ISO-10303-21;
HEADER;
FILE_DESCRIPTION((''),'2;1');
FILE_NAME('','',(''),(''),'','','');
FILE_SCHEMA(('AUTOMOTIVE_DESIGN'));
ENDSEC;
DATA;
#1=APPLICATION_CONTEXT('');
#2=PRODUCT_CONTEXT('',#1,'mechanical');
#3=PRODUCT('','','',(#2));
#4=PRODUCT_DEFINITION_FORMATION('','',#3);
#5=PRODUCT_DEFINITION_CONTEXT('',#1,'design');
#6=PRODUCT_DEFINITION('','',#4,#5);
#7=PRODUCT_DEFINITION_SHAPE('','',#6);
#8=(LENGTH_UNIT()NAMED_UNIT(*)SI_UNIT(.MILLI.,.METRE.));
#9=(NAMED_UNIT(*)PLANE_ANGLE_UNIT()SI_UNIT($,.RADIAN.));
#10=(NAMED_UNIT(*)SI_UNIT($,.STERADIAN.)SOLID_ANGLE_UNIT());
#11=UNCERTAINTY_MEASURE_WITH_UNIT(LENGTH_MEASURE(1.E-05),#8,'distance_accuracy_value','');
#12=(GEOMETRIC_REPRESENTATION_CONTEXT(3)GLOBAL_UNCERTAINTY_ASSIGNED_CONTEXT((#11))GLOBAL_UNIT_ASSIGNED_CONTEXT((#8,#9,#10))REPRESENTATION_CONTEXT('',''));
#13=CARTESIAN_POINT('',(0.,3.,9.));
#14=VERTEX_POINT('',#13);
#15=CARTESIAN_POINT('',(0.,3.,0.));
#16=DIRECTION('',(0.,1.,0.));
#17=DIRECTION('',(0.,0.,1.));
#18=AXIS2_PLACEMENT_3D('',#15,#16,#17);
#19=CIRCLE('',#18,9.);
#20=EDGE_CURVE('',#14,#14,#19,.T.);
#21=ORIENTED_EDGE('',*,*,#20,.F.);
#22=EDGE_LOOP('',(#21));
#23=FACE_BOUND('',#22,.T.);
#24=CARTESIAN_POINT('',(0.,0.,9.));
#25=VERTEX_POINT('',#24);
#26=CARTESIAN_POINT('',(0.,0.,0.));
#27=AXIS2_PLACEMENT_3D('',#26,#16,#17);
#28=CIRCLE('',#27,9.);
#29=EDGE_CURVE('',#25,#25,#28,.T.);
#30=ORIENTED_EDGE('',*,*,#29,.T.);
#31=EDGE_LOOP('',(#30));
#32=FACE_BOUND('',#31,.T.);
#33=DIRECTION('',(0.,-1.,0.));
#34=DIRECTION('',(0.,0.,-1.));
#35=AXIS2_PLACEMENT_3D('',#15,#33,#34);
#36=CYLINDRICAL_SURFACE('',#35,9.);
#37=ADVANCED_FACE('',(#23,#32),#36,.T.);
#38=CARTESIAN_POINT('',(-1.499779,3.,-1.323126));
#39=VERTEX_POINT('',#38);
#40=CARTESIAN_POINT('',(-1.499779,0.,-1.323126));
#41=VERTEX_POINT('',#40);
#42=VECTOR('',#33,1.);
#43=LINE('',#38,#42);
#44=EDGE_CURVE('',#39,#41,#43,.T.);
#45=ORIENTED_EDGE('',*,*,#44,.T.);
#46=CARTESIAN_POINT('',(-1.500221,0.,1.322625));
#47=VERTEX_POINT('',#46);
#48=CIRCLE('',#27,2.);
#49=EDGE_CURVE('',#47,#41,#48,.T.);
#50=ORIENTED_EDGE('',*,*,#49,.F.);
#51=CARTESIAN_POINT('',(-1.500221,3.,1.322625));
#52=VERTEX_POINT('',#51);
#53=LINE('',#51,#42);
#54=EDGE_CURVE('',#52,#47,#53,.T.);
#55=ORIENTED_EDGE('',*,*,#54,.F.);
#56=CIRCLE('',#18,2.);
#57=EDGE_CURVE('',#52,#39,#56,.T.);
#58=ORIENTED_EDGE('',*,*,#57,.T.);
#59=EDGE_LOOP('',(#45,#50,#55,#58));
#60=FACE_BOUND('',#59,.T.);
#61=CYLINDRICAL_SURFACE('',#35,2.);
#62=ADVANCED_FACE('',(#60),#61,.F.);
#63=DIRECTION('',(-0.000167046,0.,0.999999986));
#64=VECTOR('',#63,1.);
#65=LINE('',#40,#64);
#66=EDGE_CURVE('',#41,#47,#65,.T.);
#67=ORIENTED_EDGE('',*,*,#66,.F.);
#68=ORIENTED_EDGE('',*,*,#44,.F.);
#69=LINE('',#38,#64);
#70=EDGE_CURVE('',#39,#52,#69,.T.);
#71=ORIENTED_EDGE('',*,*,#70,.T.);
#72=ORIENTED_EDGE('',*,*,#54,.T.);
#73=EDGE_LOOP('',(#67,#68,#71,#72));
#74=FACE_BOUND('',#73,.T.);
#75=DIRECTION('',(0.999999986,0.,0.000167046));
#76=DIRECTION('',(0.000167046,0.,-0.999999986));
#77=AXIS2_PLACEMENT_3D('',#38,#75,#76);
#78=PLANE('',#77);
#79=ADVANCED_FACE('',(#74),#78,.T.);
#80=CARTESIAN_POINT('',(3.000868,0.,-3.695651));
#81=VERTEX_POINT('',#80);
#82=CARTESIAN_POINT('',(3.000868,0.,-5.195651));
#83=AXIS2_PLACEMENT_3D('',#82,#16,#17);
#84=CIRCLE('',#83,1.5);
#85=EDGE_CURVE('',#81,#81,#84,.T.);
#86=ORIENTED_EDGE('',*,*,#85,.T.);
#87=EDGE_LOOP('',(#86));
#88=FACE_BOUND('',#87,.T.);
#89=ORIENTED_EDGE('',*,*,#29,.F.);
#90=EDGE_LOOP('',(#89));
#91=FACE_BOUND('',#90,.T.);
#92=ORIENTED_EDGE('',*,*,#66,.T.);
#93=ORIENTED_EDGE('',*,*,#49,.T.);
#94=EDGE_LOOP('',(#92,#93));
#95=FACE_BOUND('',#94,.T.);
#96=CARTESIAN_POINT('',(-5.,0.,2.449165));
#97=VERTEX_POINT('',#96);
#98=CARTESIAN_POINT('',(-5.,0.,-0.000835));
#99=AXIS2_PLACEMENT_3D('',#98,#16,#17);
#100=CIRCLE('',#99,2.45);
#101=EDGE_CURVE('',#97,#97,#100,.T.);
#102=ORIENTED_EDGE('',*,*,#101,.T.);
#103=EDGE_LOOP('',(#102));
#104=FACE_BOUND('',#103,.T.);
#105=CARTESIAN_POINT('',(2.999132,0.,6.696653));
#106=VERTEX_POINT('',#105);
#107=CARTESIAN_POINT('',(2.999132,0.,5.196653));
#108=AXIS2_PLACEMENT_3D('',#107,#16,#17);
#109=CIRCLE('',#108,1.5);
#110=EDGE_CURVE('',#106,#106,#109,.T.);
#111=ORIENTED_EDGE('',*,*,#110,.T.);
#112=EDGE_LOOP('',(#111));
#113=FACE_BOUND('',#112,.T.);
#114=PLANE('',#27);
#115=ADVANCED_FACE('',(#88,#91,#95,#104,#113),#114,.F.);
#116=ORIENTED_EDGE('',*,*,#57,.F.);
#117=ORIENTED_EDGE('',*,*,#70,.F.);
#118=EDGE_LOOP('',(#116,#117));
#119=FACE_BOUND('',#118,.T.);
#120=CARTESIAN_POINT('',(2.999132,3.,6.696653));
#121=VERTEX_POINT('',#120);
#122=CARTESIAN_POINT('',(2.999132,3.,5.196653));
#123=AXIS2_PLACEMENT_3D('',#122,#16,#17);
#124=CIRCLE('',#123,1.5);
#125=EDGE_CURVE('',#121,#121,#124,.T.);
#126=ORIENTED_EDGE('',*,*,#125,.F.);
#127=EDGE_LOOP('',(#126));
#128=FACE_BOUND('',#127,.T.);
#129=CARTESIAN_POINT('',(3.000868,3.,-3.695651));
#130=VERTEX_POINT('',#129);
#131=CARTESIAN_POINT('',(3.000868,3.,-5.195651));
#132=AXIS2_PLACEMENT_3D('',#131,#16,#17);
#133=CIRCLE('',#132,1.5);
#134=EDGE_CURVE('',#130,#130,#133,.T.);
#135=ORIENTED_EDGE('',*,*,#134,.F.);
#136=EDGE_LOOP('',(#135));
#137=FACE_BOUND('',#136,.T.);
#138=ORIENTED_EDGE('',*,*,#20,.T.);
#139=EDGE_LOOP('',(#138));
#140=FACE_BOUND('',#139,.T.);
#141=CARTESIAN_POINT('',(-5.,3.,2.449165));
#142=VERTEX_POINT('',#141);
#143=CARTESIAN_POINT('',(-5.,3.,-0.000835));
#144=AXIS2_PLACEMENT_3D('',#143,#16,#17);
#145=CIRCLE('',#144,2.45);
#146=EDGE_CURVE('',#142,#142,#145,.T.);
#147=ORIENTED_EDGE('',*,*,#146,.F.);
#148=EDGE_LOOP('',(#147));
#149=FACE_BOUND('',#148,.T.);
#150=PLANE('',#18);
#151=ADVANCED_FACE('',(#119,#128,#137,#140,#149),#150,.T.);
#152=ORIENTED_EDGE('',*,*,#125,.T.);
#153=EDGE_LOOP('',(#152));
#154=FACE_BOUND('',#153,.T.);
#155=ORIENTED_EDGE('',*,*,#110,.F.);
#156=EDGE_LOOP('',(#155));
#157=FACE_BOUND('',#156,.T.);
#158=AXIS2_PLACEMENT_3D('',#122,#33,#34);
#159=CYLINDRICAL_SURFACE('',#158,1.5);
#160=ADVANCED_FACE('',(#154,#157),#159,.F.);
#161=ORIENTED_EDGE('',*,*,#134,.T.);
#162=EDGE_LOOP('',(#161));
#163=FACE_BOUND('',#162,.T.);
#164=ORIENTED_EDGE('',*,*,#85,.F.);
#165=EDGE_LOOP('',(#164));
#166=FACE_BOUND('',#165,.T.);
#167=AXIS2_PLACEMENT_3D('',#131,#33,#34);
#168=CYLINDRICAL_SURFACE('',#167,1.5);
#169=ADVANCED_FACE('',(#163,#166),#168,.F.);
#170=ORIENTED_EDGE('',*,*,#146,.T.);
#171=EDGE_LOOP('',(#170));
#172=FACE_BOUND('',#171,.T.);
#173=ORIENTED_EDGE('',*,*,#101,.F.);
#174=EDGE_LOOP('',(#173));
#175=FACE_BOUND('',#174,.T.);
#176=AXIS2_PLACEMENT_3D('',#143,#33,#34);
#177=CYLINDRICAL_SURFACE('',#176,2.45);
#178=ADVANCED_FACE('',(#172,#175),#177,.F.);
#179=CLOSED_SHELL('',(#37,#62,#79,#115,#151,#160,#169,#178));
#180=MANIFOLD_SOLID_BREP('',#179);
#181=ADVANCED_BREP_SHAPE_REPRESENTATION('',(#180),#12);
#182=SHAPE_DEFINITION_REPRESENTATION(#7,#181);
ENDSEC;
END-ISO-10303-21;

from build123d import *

# Parameters (mm, degrees)
SKETCH1_R           = 9
SKETCH1_R_2         = 2.45
SKETCH1_R_3         = 1.5
BOSS_EXTRUDE1_DEPTH = 3


with BuildPart() as part:
    # Sketch1 → Boss-Extrude1 (new body)
    with BuildSketch(Plane(origin=(0, 0, 0), x_dir=(1, 0, 0), z_dir=(0, 1, 0))):
        Circle(SKETCH1_R)
        with Locations((-5, 0.000835232)):
            Circle(SKETCH1_R_2, mode=Mode.SUBTRACT)
        with Locations((2.999131959, -5.19665349)):
            Circle(SKETCH1_R_3, mode=Mode.SUBTRACT)
        with Locations((3.000867957, 5.195651211)):
            Circle(SKETCH1_R_3, mode=Mode.SUBTRACT)
        with BuildLine():
            Line((-1.499778997, 1.323126207), (-1.500220961, -1.322625067))
            ThreePointArc((-1.500220961, -1.322625067), (1.999999972, -0.000334093), (-1.499778997, 1.323126207))
        make_face(mode=Mode.SUBTRACT)
    extrude(amount=BOSS_EXTRUDE1_DEPTH)


solid = part.part
